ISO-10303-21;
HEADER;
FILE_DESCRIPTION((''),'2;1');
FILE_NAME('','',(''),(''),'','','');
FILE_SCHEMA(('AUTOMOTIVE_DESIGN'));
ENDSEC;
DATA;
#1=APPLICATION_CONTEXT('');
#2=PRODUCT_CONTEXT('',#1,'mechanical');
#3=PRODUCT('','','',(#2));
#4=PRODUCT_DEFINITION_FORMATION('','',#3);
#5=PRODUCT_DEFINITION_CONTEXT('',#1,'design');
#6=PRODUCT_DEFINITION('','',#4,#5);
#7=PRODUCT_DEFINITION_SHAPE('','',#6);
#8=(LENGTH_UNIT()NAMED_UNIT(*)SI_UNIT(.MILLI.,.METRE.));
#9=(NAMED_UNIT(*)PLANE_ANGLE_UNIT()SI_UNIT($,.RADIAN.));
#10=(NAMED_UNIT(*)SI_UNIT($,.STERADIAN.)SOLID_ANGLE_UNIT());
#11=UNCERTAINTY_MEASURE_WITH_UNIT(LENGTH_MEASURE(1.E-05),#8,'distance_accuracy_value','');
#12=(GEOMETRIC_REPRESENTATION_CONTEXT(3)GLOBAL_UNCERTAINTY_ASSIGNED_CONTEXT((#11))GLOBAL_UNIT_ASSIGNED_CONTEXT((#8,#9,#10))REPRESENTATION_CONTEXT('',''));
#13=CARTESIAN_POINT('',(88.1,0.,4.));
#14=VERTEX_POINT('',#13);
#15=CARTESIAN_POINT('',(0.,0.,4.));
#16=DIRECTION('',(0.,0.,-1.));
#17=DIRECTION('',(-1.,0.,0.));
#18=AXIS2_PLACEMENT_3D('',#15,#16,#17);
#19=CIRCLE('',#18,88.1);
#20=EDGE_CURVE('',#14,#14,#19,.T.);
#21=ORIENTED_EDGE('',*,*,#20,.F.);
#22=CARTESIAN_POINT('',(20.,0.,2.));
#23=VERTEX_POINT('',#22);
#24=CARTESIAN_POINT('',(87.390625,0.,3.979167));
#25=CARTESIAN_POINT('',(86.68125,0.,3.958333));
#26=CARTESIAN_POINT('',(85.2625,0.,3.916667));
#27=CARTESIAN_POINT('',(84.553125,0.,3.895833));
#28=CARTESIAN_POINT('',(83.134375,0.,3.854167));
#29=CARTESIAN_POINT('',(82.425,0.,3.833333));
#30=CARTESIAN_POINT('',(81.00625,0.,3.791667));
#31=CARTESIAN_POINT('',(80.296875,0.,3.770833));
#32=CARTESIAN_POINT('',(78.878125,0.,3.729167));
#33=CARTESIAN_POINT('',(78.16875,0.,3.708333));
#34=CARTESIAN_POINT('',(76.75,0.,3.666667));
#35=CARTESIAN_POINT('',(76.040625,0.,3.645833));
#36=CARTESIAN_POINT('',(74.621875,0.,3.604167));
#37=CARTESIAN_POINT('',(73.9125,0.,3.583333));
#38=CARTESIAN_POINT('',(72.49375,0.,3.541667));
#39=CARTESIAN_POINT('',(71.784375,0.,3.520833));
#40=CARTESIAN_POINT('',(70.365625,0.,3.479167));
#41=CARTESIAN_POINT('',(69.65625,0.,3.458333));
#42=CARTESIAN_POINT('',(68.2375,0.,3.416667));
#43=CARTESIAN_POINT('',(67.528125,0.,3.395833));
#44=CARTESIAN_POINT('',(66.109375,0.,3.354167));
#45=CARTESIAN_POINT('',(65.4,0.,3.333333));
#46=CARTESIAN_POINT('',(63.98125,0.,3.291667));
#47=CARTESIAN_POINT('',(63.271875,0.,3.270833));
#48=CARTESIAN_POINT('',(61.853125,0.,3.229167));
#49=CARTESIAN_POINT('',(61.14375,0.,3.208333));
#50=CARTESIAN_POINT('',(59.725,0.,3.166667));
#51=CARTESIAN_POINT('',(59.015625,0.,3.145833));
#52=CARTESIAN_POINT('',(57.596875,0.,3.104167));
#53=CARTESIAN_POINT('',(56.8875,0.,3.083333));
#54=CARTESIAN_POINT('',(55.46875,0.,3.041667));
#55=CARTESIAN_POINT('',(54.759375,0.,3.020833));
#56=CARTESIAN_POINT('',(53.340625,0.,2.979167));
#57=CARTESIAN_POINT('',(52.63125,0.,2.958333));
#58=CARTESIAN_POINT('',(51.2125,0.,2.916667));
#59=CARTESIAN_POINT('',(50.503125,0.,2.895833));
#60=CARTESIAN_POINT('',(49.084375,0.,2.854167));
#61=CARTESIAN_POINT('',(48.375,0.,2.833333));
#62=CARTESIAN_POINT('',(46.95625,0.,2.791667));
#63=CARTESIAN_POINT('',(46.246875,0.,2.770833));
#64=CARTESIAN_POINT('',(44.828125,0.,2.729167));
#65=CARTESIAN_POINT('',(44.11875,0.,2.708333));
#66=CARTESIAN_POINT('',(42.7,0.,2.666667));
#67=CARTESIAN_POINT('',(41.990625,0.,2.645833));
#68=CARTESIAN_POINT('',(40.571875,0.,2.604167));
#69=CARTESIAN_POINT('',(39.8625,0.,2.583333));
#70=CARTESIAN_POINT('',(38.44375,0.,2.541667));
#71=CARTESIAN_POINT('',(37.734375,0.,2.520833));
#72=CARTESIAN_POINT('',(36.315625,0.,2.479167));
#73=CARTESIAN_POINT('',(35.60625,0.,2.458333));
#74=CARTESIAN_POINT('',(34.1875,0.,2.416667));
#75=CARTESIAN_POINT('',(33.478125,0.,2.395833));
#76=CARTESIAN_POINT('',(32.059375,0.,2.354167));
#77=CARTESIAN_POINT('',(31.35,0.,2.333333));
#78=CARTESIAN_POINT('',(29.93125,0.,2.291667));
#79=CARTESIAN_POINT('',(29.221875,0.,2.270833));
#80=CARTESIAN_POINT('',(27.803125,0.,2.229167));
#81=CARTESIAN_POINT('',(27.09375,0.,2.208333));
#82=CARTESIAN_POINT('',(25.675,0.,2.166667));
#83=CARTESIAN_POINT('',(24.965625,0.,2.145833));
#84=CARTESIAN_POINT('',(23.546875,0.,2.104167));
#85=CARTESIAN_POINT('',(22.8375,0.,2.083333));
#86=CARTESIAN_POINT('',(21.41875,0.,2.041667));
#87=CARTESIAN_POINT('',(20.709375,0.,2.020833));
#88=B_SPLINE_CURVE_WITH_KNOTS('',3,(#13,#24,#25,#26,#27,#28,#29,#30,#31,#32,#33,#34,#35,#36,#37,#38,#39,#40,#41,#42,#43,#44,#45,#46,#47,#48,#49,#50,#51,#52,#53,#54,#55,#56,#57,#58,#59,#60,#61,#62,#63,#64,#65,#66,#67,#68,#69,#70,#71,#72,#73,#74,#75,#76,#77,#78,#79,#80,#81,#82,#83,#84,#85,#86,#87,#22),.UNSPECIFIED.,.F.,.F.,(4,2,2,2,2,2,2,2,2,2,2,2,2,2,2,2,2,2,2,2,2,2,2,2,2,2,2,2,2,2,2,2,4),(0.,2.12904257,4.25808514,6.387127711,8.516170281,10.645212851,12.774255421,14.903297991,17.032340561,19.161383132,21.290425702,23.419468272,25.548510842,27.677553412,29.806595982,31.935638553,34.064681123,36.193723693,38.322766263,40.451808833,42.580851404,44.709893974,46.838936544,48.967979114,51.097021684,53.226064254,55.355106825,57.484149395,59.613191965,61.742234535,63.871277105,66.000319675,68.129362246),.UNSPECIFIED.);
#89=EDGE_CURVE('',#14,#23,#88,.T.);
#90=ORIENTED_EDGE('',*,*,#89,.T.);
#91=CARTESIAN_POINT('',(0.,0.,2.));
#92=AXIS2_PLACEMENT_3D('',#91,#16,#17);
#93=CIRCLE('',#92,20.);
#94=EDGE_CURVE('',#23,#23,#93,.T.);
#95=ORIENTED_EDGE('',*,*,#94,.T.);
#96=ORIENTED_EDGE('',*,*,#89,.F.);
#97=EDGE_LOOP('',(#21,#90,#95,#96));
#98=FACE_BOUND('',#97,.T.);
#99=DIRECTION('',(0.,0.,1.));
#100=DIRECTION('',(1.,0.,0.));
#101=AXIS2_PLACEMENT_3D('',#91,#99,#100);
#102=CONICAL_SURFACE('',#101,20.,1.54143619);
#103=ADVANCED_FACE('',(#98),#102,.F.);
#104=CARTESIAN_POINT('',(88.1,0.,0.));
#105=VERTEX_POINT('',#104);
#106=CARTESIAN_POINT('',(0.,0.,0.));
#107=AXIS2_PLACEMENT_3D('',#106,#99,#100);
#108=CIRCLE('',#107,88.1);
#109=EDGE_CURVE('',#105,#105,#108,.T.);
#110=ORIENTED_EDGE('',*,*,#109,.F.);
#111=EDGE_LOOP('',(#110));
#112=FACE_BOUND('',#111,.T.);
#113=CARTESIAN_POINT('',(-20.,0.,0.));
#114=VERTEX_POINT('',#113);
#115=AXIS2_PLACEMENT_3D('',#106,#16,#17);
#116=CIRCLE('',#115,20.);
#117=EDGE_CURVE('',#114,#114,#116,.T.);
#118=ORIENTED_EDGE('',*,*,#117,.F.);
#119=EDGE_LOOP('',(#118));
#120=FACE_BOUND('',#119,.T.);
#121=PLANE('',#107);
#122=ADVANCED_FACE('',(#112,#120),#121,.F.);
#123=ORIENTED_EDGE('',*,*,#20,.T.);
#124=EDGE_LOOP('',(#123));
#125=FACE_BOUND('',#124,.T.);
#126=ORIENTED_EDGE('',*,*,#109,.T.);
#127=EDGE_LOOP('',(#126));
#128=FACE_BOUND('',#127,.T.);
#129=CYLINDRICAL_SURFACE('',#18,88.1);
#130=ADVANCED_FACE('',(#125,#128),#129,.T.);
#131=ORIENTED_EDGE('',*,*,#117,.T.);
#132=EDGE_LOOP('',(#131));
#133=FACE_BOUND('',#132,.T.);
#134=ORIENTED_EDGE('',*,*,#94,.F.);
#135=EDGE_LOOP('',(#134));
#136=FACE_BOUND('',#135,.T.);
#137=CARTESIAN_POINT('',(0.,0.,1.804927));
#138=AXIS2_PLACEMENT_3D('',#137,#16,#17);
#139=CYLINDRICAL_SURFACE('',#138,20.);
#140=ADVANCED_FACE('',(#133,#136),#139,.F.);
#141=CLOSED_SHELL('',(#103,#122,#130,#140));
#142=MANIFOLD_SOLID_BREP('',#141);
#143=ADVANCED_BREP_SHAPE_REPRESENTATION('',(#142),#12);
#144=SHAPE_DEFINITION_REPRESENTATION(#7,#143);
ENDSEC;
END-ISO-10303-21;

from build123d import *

# Parameters (mm, degrees)
SKETCH2_R           = 88.1
BOSS_EXTRUDE1_DEPTH = 4


with BuildPart() as part:
    # Sketch2 → Boss-Extrude1 (new body)
    with BuildSketch(Plane.XY):
        Circle(SKETCH2_R)
    extrude(amount=BOSS_EXTRUDE1_DEPTH)

    # Sketch4 → Cut-Revolve1 (revolve, cut)
    with BuildSketch(Plane(origin=(0, 0, 0), x_dir=(1, 0, 0), z_dir=(0, 1, 0)), mode=Mode.PRIVATE) as cut_revolve1_sk:
        Polygon((0, -1.804926972), (0, -4), (-88.1, -4), (-20, -2), (-20, 0), (0, 0), align=None)
    revolve(cut_revolve1_sk.sketch.rotate(Axis((0, 0, 1.804926972), (0, 0, 1)), 180), axis=Axis((0, 0, 1.804926972), (0, 0, 1)), mode=Mode.SUBTRACT)


solid = part.part
